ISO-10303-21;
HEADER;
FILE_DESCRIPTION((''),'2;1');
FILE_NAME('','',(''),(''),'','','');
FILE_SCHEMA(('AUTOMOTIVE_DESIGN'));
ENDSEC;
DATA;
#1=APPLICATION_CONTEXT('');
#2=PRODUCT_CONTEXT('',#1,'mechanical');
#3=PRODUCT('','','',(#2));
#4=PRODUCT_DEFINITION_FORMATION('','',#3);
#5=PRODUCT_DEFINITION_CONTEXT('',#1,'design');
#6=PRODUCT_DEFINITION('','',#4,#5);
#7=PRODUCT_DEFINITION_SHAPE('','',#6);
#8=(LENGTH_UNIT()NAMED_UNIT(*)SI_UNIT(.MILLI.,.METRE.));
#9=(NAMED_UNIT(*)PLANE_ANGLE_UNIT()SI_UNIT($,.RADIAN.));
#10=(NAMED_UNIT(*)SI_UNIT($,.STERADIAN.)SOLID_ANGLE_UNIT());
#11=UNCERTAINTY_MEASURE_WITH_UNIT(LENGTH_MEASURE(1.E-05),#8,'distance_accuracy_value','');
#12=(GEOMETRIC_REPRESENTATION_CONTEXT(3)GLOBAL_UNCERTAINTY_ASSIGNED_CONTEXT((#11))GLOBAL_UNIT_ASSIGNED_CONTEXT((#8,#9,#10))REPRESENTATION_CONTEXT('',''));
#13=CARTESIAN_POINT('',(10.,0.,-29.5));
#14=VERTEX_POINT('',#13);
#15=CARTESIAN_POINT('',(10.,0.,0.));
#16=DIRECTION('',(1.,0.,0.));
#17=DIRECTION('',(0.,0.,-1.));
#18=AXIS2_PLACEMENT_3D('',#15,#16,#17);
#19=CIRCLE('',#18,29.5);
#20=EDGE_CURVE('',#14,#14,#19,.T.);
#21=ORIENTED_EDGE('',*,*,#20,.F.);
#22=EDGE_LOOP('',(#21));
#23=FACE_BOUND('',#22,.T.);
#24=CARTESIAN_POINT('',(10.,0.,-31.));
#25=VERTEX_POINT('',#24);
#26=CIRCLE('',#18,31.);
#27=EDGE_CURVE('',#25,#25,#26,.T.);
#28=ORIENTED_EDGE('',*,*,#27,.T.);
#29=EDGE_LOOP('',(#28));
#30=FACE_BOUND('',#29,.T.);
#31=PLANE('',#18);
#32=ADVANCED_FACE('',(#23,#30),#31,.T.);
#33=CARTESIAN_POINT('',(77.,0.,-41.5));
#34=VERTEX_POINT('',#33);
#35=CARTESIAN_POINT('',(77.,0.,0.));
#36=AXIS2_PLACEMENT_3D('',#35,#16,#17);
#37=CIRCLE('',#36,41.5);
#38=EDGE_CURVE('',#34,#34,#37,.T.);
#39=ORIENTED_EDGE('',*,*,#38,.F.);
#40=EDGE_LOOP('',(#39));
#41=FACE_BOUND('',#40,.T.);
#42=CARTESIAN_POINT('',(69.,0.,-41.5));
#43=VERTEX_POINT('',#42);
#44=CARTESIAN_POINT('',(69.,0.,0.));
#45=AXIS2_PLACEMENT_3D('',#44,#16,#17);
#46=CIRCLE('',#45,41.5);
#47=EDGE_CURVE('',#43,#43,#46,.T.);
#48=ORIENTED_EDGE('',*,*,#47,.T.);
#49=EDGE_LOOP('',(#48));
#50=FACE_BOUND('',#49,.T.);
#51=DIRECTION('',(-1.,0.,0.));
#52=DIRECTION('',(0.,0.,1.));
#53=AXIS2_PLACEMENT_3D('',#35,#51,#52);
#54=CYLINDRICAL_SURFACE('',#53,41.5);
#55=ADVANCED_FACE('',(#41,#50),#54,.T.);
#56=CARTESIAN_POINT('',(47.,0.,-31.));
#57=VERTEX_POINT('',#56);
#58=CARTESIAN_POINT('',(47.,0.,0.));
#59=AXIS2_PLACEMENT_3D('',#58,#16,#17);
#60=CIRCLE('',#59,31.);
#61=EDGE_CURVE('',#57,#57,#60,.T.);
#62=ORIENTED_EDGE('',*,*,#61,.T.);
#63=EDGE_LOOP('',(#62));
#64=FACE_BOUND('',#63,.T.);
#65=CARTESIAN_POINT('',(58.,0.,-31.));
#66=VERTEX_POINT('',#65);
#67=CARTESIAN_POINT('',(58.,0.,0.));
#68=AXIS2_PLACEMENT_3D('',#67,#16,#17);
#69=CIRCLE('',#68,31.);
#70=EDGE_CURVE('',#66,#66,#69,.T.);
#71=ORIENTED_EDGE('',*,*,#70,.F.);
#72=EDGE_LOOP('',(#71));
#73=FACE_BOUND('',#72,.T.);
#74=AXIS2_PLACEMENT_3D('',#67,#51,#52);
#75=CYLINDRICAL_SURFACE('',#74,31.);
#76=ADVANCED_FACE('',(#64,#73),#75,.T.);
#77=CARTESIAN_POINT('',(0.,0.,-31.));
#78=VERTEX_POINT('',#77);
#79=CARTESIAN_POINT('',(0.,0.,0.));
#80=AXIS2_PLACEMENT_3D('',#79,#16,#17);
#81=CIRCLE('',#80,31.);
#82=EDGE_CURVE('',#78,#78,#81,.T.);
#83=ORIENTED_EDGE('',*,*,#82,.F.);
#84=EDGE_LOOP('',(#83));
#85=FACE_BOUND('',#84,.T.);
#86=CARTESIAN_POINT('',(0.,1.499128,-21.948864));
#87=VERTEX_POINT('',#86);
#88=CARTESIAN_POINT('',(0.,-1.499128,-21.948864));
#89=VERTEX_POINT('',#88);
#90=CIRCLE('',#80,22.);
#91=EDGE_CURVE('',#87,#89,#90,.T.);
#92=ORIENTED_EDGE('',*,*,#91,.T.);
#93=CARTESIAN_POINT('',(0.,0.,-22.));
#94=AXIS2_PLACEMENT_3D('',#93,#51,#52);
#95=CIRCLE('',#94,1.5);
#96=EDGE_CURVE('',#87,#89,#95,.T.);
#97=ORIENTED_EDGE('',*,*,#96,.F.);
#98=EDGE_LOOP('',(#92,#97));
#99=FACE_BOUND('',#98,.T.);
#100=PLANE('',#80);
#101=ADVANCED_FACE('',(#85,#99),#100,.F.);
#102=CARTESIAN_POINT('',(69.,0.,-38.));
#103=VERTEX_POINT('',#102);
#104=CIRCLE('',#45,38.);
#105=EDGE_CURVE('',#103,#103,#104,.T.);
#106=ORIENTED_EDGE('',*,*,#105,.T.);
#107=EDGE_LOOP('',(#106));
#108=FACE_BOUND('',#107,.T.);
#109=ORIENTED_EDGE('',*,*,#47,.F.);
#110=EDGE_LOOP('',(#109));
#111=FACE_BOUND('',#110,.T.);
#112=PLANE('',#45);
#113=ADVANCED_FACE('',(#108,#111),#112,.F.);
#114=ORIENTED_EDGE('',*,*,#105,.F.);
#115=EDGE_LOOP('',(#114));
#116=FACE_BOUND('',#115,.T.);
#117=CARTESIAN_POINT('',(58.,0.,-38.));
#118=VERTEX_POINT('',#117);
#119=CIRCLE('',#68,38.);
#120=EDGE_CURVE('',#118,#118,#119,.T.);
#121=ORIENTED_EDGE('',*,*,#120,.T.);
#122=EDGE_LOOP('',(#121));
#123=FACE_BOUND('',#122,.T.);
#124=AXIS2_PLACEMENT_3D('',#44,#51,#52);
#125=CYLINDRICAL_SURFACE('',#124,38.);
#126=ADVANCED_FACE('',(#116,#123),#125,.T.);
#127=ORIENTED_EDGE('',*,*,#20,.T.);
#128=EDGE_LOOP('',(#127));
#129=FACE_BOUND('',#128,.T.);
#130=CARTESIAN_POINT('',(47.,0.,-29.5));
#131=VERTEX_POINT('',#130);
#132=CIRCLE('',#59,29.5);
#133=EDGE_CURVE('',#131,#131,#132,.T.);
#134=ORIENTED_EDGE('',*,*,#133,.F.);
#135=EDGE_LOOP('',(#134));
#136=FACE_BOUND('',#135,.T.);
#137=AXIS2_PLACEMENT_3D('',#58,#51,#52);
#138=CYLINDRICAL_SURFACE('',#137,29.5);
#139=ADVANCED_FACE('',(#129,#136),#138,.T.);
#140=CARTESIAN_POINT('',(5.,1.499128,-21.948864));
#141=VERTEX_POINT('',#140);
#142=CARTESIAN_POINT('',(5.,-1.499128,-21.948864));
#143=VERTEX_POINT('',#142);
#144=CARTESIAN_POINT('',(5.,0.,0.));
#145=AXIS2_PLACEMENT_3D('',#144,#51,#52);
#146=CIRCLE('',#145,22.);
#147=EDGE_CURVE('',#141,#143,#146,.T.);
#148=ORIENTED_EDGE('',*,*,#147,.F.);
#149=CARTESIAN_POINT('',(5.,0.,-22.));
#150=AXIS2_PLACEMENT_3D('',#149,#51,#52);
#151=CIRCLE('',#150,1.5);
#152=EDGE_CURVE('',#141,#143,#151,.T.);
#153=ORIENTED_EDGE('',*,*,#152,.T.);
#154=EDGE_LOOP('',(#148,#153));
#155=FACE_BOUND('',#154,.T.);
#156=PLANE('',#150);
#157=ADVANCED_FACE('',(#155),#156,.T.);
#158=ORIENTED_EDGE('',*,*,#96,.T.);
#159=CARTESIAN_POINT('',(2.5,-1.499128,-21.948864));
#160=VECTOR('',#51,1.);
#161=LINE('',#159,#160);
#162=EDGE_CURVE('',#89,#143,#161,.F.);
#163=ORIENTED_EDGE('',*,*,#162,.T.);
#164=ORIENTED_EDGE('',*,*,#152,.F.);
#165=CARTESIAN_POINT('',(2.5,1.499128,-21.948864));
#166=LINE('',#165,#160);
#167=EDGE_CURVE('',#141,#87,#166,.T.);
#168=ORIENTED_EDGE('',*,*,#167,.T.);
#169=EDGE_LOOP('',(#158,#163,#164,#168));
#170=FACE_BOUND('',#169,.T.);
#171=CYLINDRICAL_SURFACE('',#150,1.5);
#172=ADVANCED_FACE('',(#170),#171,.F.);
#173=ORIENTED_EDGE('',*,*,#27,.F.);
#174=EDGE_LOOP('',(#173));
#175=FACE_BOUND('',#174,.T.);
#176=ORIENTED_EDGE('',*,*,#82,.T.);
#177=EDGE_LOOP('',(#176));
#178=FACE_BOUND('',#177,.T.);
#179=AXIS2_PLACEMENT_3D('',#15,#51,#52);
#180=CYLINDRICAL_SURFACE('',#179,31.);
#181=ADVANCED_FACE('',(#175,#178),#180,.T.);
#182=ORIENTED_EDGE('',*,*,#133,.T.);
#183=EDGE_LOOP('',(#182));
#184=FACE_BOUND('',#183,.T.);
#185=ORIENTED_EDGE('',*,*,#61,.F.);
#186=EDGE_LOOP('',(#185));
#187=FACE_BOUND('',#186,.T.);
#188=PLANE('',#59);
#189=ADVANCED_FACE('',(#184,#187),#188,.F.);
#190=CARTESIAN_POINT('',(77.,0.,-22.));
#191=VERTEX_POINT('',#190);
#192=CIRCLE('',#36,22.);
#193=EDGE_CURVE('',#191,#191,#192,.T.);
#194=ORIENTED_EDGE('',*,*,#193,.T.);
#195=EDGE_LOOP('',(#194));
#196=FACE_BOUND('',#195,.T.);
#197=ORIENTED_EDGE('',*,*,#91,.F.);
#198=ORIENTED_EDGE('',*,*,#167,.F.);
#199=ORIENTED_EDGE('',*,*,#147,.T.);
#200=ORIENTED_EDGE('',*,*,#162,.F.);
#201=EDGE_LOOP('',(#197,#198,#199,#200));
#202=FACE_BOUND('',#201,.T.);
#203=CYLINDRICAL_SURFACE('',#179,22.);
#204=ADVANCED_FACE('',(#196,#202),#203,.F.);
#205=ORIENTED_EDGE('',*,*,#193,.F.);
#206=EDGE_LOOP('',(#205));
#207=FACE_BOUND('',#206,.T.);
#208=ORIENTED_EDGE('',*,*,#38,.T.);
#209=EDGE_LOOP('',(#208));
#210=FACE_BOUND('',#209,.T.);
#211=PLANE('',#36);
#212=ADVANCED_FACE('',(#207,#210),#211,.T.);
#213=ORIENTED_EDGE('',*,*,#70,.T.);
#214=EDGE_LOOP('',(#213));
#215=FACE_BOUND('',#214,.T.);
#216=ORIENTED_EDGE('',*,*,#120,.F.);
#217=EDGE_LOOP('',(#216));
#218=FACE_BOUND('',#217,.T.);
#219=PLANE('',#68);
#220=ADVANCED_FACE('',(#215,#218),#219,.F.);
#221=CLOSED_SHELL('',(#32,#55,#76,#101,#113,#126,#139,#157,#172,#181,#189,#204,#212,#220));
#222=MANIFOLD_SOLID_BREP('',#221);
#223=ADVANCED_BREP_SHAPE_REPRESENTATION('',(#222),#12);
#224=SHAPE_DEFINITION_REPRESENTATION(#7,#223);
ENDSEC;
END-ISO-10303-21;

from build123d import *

# Parameters (mm, degrees)
SKETCH1_R           = 31
SKETCH1_R_2         = 22
BOSS_EXTRUDE1_DEPTH = 10
SKETCH2_R           = 29.5
SKETCH2_R_2         = 22
BOSS_EXTRUDE2_DEPTH = 37
SKETCH3_R           = 31
SKETCH3_R_2         = 22
BOSS_EXTRUDE3_DEPTH = 11
SKETCH4_R           = 38
SKETCH4_R_2         = 22
BOSS_EXTRUDE4_DEPTH = 11
SKETCH5_R           = 41.5
SKETCH5_R_2         = 22
BOSS_EXTRUDE5_DEPTH = 8
SKETCH6_R           = 1.5
CUT_EXTRUDE2_DEPTH  = 5


with BuildPart() as part:
    # Sketch1 → Boss-Extrude1 (new body)
    with BuildSketch(Plane(origin=(0, 0, 0), x_dir=(0, 0, -1), z_dir=(1, 0, 0))):
        Circle(SKETCH1_R)
        Circle(SKETCH1_R_2, mode=Mode.SUBTRACT)
    extrude(amount=BOSS_EXTRUDE1_DEPTH)

    # Sketch2 → Boss-Extrude2 (add)
    with BuildSketch(Plane(origin=(10, 0, 0), x_dir=(0, 0, -1), z_dir=(1, 0, 0))):
        Circle(SKETCH2_R)
        Circle(SKETCH2_R_2, mode=Mode.SUBTRACT)
    extrude(amount=BOSS_EXTRUDE2_DEPTH)

    # Sketch3 → Boss-Extrude3 (add)
    with BuildSketch(Plane(origin=(47, 0, 0), x_dir=(0, 0, -1), z_dir=(1, 0, 0))):
        Circle(SKETCH3_R)
        Circle(SKETCH3_R_2, mode=Mode.SUBTRACT)
    extrude(amount=BOSS_EXTRUDE3_DEPTH)

    # Sketch4 → Boss-Extrude4 (add)
    with BuildSketch(Plane(origin=(58, 0, 0), x_dir=(0, 0, -1), z_dir=(1, 0, 0))):
        Circle(SKETCH4_R)
        Circle(SKETCH4_R_2, mode=Mode.SUBTRACT)
    extrude(amount=BOSS_EXTRUDE4_DEPTH)

    # Sketch5 → Boss-Extrude5 (add)
    with BuildSketch(Plane(origin=(69, 0, 0), x_dir=(0, 0, -1), z_dir=(1, 0, 0))):
        Circle(SKETCH5_R)
        Circle(SKETCH5_R_2, mode=Mode.SUBTRACT)
    extrude(amount=BOSS_EXTRUDE5_DEPTH)

    # Sketch6 → Cut-Extrude2 (cut)
    with BuildSketch(Plane.ZY):
        with Locations((-22, 0)):
            Circle(SKETCH6_R)
    extrude(amount=-CUT_EXTRUDE2_DEPTH, mode=Mode.SUBTRACT)


solid = part.part
